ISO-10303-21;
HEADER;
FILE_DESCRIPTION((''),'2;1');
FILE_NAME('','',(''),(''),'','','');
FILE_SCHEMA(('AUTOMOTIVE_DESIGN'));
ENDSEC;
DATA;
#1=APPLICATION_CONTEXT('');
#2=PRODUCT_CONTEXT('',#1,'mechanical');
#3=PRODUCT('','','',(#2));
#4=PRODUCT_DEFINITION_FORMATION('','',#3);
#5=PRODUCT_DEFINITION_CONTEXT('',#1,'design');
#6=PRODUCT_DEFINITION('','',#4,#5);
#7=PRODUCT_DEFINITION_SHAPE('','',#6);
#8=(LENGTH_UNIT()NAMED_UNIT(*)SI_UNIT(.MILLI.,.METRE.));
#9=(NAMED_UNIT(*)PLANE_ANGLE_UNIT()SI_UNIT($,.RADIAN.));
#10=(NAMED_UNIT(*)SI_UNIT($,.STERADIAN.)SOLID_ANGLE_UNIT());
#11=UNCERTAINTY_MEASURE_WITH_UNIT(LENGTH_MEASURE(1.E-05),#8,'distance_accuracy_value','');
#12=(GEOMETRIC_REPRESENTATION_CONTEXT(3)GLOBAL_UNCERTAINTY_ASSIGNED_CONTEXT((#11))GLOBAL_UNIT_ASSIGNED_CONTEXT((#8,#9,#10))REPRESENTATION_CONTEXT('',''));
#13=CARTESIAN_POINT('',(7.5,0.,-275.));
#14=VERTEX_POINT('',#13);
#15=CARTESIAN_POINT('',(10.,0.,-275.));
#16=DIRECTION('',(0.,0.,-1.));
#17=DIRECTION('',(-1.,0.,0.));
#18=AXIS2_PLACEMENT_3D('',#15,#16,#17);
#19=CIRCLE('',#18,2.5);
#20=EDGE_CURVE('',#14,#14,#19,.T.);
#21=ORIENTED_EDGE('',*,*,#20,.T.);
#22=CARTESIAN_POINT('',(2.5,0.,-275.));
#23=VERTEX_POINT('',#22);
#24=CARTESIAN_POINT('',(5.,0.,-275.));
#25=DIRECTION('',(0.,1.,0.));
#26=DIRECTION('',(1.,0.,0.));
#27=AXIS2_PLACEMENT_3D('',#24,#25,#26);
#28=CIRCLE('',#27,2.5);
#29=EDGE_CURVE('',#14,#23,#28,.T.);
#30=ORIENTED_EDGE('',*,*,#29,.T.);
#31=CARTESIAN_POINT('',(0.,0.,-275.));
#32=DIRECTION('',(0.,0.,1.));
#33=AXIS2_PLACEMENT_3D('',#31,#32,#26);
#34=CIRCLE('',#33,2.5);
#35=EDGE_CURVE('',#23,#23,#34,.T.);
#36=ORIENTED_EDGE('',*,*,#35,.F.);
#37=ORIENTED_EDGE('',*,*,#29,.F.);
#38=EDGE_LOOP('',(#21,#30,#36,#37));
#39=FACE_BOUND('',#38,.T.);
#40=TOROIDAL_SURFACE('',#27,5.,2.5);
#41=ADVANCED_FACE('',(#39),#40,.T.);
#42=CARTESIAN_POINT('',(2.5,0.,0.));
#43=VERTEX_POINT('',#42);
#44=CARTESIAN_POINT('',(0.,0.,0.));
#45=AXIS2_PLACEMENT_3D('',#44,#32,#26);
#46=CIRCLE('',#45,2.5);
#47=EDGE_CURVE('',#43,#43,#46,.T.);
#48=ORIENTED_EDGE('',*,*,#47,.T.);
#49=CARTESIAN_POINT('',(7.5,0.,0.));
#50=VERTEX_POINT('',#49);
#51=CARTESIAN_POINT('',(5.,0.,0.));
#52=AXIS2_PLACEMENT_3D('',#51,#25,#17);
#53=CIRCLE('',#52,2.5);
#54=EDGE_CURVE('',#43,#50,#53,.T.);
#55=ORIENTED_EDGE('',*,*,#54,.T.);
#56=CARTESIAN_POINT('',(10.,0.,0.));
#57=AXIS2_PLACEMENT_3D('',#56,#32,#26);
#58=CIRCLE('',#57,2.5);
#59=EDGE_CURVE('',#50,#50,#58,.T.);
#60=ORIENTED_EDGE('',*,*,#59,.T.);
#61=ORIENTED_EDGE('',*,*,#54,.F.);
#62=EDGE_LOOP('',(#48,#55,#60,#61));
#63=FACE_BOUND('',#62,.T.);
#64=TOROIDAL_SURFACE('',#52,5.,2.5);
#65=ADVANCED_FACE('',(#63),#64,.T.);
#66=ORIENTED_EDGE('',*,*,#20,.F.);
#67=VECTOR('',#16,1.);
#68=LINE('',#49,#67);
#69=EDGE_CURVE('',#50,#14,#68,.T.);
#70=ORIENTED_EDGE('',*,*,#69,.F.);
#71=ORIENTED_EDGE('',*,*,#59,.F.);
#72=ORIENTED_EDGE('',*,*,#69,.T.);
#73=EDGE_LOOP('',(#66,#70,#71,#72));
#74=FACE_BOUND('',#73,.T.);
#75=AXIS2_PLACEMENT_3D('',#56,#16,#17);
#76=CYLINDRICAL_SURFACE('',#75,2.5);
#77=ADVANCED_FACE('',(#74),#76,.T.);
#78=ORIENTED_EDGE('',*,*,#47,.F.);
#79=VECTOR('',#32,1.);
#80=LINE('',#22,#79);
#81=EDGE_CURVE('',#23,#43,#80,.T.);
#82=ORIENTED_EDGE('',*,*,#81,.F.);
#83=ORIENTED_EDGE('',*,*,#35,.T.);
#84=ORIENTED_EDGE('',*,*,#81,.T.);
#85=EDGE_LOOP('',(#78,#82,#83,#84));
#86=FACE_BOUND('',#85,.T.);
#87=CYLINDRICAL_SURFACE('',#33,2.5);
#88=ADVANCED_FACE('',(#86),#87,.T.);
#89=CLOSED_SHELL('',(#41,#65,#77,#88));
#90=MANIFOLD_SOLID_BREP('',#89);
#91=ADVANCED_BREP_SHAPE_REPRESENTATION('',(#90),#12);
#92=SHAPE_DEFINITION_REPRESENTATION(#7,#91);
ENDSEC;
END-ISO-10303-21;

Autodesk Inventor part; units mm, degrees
ref_plane "YZ Plane" through (0, 0, 0) normal (1, 0, 0) x (0, 1, 0)
ref_plane "XZ Plane" through (0, 0, 0) normal (0, 1, 0) x (-1, 0, 0)
ref_plane "XY Plane" through (0, 0, 0) normal (0, 0, 1) x (1, 0, 0)
sketch "Эскиз1" plane through (0, 0, 0) normal (0, 0, 1) x (1, 0, 0)
  circle A0 centre (0, 0) radius 2.5
  dimension "d0" = 5
sketch "Эскиз2" plane through (0, 0, 0) normal (0, 1, 0) x (-1, 0, 0)
  line L0 (0, 0) -> (-10, 0)
  line L1 (-5, 0) -> (-5, -275)
  line L2 (-5, 0) -> (270, 0) construction
  line L3 (-5, 0) -> (-5, -275) construction
  line L4 (-10, 0) -> (-10, -275)
  line L5 (0, -275) -> (0, 0)
  arc A0 (0, 0) -> (-10, 0) centre (-5, 0) ccw
  arc A1 (-10, -275) -> (0, -275) centre (-5, -275) ccw
  point P0 (-5, -137.5)
  dimension "d1" = 10
  dimension "d2" = 275
  dimension "d3" = 90
sweep "Сдвиг1" add profiles "Эскиз1" path "Эскиз2" path curves L5 A1 L4 A0
properties part number "жгут сосало"
